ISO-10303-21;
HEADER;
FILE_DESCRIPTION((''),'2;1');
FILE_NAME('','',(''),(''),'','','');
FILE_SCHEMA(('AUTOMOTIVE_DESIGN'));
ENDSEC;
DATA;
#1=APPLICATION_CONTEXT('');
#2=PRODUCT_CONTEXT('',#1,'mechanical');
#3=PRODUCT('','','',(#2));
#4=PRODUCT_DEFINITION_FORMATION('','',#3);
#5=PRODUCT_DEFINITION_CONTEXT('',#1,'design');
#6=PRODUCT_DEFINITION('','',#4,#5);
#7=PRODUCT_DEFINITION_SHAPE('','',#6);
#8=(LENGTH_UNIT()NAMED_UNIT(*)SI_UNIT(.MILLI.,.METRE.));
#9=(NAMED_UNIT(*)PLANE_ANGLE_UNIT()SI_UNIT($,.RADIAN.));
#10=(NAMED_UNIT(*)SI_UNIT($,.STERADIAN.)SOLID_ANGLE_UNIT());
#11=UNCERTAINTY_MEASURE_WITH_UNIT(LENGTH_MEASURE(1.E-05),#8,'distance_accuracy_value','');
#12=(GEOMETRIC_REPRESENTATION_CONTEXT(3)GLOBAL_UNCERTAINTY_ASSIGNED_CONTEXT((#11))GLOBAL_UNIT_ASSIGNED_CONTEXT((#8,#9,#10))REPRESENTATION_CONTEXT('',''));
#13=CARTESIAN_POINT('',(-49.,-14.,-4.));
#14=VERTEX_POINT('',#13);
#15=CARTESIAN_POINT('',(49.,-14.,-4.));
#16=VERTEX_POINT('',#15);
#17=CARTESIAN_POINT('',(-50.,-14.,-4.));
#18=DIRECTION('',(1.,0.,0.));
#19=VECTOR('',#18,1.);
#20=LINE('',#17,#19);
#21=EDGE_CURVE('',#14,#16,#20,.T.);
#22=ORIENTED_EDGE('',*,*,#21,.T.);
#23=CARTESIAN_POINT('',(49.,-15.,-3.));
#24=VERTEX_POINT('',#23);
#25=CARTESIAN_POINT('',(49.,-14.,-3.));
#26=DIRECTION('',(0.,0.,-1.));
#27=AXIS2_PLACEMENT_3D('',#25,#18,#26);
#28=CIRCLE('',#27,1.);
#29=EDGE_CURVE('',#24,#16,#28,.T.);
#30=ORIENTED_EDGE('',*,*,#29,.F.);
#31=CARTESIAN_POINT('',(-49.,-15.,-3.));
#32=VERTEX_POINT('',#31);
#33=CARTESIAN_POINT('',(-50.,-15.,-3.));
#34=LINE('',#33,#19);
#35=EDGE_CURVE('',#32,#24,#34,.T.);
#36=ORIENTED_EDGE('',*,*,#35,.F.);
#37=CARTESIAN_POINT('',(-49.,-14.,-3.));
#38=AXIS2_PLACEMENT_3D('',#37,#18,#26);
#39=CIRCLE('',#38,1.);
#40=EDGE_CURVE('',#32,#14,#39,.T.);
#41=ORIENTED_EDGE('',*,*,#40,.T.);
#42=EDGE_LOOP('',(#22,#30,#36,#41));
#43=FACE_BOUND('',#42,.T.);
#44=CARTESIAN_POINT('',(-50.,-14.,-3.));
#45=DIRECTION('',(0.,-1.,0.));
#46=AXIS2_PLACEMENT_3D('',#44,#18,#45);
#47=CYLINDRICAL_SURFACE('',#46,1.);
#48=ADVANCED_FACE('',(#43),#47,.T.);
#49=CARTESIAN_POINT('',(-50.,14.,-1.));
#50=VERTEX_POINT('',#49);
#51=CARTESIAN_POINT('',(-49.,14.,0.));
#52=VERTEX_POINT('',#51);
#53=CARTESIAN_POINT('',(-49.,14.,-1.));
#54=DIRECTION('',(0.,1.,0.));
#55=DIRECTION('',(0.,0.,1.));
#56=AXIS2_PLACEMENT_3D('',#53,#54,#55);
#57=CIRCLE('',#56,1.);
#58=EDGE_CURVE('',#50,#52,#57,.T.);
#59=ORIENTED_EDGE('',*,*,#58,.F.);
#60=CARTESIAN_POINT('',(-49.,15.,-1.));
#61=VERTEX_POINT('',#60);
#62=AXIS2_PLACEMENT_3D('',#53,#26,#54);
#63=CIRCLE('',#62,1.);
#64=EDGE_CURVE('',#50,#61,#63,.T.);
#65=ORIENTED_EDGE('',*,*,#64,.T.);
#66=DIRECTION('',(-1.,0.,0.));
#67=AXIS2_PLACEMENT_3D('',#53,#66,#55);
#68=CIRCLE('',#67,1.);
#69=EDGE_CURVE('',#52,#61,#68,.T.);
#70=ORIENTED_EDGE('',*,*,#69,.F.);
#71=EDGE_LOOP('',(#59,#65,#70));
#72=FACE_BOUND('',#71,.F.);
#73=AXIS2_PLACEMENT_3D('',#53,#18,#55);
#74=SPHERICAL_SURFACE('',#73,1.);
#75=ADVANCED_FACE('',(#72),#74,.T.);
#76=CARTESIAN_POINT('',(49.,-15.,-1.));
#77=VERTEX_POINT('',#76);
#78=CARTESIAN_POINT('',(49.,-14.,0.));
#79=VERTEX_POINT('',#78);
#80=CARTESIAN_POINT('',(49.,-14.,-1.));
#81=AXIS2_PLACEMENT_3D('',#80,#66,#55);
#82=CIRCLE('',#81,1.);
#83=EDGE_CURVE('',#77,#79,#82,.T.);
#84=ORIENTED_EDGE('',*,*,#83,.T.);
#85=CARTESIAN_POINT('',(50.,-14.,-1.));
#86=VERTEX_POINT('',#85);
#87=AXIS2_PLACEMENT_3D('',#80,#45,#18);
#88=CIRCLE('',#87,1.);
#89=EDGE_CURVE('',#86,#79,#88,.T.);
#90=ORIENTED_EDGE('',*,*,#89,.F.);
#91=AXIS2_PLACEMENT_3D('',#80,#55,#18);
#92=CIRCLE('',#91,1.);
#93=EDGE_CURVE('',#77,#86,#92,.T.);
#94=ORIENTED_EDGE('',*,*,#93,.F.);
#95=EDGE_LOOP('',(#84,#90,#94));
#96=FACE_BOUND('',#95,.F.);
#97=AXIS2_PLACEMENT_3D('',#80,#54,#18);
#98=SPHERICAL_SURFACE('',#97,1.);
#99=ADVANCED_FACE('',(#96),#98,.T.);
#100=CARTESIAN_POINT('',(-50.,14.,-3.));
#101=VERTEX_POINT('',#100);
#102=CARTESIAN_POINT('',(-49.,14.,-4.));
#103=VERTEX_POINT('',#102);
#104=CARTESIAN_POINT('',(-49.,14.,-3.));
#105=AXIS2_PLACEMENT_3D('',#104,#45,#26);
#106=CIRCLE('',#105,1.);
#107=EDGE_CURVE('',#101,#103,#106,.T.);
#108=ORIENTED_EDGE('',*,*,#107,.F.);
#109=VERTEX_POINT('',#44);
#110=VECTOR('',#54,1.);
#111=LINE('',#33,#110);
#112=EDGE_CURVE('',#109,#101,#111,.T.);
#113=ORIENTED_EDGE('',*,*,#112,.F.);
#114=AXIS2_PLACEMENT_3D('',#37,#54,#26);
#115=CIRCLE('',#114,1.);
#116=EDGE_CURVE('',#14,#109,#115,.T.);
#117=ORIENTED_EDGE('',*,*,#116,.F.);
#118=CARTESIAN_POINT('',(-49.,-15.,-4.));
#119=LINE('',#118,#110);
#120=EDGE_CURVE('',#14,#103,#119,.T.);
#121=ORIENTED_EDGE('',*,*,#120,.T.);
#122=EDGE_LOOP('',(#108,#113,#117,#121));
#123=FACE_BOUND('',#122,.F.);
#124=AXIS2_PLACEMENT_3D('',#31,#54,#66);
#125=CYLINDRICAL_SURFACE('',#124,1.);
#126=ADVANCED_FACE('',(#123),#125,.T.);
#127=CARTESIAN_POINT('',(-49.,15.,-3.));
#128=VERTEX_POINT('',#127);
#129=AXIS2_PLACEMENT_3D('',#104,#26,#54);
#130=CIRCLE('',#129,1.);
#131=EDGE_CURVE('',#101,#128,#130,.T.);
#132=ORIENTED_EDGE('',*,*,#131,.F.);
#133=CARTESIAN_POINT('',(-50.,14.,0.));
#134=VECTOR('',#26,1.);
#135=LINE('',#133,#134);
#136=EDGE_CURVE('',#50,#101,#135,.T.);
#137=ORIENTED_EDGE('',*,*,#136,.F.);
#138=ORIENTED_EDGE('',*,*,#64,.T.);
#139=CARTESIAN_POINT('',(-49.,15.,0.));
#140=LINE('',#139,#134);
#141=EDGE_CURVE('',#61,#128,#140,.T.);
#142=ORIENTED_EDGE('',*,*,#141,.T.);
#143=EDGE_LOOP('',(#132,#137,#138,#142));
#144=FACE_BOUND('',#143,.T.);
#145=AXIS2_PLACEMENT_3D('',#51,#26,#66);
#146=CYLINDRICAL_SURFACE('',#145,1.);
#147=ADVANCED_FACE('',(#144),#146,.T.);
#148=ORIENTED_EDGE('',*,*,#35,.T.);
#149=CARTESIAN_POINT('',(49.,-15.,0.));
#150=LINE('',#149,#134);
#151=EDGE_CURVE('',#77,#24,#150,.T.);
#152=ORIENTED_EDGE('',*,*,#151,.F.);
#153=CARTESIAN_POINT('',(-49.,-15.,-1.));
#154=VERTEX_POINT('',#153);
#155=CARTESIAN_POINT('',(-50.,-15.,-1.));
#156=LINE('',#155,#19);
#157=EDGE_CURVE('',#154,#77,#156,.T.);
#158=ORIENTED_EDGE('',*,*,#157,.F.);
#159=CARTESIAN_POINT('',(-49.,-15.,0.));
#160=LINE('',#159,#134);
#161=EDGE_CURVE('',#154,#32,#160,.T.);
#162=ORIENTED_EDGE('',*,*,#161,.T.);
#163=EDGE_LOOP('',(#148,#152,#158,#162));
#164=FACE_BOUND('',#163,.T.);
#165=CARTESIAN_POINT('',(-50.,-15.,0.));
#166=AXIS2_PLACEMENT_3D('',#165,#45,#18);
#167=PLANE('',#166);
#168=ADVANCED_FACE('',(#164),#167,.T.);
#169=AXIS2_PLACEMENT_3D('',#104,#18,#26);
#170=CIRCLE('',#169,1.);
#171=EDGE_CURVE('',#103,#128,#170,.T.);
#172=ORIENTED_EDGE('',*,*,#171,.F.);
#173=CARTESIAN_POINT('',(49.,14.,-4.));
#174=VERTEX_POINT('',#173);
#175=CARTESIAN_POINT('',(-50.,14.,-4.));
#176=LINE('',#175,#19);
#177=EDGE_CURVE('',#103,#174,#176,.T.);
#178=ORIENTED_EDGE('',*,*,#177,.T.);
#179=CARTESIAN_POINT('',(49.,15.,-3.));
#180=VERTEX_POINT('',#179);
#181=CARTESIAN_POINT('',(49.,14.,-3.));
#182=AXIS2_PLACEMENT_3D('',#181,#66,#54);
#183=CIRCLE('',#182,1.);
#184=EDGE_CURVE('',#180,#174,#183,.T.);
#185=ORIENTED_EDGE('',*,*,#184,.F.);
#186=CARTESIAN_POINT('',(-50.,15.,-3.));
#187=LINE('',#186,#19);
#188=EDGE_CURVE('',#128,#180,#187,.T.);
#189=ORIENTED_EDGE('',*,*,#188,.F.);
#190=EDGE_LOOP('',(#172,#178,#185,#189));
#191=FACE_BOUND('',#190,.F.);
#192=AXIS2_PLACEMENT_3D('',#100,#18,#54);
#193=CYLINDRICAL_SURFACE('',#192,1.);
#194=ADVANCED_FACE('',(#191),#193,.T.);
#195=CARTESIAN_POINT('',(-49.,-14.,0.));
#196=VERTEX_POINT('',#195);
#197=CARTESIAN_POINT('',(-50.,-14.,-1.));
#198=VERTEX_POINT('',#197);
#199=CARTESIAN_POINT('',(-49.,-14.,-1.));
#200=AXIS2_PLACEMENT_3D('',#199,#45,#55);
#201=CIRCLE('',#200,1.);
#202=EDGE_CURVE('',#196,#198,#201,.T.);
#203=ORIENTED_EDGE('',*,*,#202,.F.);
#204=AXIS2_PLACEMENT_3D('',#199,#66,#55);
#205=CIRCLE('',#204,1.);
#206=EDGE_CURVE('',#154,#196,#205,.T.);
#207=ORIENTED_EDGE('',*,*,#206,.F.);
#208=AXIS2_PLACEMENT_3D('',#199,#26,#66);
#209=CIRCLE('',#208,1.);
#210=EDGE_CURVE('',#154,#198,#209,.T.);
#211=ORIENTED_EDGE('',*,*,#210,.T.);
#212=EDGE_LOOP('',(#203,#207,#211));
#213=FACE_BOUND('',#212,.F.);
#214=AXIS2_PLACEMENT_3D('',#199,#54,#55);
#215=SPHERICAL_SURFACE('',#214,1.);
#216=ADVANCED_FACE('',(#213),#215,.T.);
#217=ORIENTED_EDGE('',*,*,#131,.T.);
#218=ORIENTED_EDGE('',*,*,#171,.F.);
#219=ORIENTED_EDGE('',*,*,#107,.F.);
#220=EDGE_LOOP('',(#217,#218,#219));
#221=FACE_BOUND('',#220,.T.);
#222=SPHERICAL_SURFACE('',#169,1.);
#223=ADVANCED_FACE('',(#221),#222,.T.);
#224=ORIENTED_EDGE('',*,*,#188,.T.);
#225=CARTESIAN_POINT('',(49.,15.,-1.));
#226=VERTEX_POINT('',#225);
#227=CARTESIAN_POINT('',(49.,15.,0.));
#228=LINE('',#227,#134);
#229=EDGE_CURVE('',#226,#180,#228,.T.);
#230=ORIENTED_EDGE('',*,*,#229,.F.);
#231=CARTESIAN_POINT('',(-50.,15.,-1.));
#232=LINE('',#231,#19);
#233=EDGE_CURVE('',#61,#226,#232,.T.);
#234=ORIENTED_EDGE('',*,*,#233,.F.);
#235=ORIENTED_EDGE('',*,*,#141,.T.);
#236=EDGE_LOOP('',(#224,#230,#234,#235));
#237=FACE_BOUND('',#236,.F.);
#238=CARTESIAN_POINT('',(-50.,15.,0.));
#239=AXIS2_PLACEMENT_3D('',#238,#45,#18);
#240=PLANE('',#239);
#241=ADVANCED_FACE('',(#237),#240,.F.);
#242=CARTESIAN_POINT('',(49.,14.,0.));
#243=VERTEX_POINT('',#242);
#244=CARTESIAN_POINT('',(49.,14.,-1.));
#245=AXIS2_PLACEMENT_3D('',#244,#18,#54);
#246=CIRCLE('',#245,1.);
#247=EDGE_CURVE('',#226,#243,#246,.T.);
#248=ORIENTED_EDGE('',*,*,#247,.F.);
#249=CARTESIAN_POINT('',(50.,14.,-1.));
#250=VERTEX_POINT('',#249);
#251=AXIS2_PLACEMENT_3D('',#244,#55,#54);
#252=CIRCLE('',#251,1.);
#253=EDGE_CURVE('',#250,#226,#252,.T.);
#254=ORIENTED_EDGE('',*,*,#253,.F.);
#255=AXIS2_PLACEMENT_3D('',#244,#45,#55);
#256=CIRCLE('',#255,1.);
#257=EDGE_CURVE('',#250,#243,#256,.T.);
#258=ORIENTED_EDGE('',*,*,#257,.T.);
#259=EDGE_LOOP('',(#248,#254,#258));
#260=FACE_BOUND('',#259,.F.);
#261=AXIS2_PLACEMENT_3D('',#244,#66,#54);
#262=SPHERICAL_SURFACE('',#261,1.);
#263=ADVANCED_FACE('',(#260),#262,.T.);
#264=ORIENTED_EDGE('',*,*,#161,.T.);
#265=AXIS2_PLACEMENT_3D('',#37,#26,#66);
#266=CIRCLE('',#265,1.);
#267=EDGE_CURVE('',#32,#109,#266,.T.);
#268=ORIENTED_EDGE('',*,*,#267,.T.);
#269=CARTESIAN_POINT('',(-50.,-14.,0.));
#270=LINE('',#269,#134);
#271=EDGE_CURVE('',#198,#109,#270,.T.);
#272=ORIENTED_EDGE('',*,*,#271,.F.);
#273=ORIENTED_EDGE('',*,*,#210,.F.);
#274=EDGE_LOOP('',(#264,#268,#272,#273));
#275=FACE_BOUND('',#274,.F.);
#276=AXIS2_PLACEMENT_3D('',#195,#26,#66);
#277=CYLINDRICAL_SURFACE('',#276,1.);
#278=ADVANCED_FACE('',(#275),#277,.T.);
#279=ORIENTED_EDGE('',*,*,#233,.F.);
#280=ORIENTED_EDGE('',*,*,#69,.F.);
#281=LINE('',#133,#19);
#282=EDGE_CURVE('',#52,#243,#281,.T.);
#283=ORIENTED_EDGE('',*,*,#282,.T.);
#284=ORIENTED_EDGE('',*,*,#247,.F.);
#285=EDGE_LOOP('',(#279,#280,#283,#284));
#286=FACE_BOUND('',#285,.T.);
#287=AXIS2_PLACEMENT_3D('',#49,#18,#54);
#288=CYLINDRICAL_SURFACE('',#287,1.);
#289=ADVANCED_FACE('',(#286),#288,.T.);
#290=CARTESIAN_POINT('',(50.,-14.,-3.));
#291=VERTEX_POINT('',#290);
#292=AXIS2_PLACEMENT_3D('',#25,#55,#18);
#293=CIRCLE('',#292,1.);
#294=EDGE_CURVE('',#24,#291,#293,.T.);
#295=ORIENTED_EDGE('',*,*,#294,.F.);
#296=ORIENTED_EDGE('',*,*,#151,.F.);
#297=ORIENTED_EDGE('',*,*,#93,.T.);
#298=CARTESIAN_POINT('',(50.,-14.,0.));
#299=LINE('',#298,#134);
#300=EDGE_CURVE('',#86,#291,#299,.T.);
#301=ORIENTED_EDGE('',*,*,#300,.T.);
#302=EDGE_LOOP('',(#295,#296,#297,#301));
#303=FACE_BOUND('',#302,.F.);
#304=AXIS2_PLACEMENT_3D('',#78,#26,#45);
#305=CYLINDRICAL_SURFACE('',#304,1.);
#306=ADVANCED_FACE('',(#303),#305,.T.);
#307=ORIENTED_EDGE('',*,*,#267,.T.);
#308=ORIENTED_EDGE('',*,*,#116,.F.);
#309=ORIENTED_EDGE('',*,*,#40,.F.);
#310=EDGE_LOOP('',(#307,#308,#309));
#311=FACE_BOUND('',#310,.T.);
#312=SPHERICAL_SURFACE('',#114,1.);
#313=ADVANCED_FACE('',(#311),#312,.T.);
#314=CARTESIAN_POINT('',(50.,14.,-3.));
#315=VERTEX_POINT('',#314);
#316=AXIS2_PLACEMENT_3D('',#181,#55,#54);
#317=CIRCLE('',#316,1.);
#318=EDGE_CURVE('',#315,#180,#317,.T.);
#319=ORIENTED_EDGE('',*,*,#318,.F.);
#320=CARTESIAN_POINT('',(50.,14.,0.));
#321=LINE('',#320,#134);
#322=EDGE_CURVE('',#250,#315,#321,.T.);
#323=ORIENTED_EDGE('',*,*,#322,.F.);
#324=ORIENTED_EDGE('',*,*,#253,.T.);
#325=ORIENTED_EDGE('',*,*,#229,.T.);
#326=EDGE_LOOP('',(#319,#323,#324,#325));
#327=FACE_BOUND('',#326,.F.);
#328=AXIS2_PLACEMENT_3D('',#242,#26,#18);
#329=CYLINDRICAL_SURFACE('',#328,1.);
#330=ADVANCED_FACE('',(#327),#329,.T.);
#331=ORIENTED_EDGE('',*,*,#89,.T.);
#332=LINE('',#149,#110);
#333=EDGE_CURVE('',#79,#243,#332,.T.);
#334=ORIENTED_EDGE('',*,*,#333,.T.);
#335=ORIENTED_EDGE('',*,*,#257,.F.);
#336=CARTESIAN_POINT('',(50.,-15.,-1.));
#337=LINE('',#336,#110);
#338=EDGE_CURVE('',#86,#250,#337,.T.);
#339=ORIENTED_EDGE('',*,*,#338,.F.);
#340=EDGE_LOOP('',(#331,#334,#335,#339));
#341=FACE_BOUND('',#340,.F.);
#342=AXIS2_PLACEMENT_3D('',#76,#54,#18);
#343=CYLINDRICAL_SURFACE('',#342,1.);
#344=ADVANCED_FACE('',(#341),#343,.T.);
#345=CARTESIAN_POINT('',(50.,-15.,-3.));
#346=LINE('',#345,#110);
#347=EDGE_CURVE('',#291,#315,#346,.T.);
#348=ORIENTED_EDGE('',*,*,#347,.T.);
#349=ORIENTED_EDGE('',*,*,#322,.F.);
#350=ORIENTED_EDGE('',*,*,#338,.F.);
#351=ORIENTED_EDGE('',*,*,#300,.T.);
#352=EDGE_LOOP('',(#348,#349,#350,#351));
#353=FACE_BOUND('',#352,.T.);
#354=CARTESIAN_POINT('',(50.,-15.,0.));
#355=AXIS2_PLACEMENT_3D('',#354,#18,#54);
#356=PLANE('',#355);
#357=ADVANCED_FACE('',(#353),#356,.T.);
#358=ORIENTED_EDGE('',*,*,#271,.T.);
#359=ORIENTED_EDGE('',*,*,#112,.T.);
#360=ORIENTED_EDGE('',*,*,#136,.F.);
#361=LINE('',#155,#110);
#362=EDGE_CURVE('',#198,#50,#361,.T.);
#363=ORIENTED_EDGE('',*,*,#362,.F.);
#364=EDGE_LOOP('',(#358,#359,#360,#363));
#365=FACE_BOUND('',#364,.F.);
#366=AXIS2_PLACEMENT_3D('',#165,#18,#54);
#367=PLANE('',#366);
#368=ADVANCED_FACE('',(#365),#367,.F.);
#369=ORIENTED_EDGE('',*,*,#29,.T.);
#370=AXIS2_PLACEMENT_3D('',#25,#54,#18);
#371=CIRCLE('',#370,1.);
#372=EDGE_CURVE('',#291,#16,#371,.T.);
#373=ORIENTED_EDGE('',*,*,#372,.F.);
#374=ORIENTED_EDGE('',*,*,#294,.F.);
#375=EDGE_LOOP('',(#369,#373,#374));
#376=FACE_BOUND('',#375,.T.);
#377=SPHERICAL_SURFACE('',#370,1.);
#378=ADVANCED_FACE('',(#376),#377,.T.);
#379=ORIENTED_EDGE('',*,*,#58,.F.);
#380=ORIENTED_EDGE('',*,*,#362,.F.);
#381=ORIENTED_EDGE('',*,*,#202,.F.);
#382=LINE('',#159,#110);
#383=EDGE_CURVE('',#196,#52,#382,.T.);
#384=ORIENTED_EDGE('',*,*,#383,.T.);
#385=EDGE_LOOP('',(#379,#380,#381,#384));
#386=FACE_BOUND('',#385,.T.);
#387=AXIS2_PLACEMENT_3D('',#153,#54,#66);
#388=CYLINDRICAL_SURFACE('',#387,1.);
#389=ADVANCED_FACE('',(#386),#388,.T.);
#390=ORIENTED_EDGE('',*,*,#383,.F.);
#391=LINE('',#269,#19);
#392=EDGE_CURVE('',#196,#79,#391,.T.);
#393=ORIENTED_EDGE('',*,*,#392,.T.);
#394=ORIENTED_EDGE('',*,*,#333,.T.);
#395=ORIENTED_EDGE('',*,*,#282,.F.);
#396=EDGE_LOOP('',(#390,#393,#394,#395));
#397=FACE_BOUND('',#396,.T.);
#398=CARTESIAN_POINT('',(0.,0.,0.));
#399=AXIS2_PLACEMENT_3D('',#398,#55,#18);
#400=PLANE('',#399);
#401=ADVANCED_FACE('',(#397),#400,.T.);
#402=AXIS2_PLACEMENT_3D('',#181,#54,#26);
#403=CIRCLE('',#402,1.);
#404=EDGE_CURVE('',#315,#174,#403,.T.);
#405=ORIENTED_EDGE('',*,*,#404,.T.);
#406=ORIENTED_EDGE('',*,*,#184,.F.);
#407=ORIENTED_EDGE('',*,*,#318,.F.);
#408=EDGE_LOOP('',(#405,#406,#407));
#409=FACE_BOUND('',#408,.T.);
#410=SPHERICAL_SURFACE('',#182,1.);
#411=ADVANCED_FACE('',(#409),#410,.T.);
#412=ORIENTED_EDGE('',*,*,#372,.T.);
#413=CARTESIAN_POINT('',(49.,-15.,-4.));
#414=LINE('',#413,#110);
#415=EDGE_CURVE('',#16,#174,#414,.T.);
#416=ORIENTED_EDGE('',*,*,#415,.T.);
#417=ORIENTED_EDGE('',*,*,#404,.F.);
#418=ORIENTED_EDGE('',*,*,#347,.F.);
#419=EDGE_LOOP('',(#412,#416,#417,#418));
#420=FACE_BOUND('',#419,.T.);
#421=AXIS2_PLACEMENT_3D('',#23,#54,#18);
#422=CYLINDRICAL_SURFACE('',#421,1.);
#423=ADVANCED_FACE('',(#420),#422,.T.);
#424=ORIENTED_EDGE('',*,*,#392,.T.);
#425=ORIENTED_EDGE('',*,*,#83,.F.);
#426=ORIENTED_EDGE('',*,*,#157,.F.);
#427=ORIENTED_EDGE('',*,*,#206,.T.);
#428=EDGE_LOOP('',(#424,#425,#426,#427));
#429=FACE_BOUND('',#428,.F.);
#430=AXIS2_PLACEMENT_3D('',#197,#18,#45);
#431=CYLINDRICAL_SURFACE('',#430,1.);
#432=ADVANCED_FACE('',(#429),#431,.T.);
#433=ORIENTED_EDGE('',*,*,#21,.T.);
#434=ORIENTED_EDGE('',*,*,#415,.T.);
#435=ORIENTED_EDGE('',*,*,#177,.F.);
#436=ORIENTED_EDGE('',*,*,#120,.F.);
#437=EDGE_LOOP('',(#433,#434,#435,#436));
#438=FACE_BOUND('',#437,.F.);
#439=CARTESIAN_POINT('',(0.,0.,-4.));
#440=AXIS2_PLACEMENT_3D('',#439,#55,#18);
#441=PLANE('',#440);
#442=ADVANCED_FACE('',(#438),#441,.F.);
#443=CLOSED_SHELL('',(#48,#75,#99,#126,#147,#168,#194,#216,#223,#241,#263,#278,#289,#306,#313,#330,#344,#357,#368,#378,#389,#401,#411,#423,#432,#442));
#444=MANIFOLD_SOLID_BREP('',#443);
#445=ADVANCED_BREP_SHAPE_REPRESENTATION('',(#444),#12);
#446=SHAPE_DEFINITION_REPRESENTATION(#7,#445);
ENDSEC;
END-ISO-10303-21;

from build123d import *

# Parameters (mm, degrees)
F0_W     = 100
F0_H     = 30
F1_DEPTH = 4
F2_R     = 1


with BuildPart() as f1:
    # F0 (on Top) → F1 (new body)
    with BuildSketch(Plane.XY):
        Rectangle(F0_W, F0_H)
    extrude(amount=-F1_DEPTH)

    # F2
    f2_edges = [f1.edges().sort_by_distance(p)[0] for p in [
        (0, 15, 0),
        (0, 15, -4),
        (-50, 0, 0),
        (-50, 0, -4),
        (-50, 15, -2),
        (50, 15, -2),
        (50, 0, -4),
        (50, 0, 0),
        (50, -15, -2),
        (0, -15, -4),
        (0, -15, 0),
        (-50, -15, -2),
    ]]
    fillet(f2_edges, radius=F2_R)


solid = f1.part
